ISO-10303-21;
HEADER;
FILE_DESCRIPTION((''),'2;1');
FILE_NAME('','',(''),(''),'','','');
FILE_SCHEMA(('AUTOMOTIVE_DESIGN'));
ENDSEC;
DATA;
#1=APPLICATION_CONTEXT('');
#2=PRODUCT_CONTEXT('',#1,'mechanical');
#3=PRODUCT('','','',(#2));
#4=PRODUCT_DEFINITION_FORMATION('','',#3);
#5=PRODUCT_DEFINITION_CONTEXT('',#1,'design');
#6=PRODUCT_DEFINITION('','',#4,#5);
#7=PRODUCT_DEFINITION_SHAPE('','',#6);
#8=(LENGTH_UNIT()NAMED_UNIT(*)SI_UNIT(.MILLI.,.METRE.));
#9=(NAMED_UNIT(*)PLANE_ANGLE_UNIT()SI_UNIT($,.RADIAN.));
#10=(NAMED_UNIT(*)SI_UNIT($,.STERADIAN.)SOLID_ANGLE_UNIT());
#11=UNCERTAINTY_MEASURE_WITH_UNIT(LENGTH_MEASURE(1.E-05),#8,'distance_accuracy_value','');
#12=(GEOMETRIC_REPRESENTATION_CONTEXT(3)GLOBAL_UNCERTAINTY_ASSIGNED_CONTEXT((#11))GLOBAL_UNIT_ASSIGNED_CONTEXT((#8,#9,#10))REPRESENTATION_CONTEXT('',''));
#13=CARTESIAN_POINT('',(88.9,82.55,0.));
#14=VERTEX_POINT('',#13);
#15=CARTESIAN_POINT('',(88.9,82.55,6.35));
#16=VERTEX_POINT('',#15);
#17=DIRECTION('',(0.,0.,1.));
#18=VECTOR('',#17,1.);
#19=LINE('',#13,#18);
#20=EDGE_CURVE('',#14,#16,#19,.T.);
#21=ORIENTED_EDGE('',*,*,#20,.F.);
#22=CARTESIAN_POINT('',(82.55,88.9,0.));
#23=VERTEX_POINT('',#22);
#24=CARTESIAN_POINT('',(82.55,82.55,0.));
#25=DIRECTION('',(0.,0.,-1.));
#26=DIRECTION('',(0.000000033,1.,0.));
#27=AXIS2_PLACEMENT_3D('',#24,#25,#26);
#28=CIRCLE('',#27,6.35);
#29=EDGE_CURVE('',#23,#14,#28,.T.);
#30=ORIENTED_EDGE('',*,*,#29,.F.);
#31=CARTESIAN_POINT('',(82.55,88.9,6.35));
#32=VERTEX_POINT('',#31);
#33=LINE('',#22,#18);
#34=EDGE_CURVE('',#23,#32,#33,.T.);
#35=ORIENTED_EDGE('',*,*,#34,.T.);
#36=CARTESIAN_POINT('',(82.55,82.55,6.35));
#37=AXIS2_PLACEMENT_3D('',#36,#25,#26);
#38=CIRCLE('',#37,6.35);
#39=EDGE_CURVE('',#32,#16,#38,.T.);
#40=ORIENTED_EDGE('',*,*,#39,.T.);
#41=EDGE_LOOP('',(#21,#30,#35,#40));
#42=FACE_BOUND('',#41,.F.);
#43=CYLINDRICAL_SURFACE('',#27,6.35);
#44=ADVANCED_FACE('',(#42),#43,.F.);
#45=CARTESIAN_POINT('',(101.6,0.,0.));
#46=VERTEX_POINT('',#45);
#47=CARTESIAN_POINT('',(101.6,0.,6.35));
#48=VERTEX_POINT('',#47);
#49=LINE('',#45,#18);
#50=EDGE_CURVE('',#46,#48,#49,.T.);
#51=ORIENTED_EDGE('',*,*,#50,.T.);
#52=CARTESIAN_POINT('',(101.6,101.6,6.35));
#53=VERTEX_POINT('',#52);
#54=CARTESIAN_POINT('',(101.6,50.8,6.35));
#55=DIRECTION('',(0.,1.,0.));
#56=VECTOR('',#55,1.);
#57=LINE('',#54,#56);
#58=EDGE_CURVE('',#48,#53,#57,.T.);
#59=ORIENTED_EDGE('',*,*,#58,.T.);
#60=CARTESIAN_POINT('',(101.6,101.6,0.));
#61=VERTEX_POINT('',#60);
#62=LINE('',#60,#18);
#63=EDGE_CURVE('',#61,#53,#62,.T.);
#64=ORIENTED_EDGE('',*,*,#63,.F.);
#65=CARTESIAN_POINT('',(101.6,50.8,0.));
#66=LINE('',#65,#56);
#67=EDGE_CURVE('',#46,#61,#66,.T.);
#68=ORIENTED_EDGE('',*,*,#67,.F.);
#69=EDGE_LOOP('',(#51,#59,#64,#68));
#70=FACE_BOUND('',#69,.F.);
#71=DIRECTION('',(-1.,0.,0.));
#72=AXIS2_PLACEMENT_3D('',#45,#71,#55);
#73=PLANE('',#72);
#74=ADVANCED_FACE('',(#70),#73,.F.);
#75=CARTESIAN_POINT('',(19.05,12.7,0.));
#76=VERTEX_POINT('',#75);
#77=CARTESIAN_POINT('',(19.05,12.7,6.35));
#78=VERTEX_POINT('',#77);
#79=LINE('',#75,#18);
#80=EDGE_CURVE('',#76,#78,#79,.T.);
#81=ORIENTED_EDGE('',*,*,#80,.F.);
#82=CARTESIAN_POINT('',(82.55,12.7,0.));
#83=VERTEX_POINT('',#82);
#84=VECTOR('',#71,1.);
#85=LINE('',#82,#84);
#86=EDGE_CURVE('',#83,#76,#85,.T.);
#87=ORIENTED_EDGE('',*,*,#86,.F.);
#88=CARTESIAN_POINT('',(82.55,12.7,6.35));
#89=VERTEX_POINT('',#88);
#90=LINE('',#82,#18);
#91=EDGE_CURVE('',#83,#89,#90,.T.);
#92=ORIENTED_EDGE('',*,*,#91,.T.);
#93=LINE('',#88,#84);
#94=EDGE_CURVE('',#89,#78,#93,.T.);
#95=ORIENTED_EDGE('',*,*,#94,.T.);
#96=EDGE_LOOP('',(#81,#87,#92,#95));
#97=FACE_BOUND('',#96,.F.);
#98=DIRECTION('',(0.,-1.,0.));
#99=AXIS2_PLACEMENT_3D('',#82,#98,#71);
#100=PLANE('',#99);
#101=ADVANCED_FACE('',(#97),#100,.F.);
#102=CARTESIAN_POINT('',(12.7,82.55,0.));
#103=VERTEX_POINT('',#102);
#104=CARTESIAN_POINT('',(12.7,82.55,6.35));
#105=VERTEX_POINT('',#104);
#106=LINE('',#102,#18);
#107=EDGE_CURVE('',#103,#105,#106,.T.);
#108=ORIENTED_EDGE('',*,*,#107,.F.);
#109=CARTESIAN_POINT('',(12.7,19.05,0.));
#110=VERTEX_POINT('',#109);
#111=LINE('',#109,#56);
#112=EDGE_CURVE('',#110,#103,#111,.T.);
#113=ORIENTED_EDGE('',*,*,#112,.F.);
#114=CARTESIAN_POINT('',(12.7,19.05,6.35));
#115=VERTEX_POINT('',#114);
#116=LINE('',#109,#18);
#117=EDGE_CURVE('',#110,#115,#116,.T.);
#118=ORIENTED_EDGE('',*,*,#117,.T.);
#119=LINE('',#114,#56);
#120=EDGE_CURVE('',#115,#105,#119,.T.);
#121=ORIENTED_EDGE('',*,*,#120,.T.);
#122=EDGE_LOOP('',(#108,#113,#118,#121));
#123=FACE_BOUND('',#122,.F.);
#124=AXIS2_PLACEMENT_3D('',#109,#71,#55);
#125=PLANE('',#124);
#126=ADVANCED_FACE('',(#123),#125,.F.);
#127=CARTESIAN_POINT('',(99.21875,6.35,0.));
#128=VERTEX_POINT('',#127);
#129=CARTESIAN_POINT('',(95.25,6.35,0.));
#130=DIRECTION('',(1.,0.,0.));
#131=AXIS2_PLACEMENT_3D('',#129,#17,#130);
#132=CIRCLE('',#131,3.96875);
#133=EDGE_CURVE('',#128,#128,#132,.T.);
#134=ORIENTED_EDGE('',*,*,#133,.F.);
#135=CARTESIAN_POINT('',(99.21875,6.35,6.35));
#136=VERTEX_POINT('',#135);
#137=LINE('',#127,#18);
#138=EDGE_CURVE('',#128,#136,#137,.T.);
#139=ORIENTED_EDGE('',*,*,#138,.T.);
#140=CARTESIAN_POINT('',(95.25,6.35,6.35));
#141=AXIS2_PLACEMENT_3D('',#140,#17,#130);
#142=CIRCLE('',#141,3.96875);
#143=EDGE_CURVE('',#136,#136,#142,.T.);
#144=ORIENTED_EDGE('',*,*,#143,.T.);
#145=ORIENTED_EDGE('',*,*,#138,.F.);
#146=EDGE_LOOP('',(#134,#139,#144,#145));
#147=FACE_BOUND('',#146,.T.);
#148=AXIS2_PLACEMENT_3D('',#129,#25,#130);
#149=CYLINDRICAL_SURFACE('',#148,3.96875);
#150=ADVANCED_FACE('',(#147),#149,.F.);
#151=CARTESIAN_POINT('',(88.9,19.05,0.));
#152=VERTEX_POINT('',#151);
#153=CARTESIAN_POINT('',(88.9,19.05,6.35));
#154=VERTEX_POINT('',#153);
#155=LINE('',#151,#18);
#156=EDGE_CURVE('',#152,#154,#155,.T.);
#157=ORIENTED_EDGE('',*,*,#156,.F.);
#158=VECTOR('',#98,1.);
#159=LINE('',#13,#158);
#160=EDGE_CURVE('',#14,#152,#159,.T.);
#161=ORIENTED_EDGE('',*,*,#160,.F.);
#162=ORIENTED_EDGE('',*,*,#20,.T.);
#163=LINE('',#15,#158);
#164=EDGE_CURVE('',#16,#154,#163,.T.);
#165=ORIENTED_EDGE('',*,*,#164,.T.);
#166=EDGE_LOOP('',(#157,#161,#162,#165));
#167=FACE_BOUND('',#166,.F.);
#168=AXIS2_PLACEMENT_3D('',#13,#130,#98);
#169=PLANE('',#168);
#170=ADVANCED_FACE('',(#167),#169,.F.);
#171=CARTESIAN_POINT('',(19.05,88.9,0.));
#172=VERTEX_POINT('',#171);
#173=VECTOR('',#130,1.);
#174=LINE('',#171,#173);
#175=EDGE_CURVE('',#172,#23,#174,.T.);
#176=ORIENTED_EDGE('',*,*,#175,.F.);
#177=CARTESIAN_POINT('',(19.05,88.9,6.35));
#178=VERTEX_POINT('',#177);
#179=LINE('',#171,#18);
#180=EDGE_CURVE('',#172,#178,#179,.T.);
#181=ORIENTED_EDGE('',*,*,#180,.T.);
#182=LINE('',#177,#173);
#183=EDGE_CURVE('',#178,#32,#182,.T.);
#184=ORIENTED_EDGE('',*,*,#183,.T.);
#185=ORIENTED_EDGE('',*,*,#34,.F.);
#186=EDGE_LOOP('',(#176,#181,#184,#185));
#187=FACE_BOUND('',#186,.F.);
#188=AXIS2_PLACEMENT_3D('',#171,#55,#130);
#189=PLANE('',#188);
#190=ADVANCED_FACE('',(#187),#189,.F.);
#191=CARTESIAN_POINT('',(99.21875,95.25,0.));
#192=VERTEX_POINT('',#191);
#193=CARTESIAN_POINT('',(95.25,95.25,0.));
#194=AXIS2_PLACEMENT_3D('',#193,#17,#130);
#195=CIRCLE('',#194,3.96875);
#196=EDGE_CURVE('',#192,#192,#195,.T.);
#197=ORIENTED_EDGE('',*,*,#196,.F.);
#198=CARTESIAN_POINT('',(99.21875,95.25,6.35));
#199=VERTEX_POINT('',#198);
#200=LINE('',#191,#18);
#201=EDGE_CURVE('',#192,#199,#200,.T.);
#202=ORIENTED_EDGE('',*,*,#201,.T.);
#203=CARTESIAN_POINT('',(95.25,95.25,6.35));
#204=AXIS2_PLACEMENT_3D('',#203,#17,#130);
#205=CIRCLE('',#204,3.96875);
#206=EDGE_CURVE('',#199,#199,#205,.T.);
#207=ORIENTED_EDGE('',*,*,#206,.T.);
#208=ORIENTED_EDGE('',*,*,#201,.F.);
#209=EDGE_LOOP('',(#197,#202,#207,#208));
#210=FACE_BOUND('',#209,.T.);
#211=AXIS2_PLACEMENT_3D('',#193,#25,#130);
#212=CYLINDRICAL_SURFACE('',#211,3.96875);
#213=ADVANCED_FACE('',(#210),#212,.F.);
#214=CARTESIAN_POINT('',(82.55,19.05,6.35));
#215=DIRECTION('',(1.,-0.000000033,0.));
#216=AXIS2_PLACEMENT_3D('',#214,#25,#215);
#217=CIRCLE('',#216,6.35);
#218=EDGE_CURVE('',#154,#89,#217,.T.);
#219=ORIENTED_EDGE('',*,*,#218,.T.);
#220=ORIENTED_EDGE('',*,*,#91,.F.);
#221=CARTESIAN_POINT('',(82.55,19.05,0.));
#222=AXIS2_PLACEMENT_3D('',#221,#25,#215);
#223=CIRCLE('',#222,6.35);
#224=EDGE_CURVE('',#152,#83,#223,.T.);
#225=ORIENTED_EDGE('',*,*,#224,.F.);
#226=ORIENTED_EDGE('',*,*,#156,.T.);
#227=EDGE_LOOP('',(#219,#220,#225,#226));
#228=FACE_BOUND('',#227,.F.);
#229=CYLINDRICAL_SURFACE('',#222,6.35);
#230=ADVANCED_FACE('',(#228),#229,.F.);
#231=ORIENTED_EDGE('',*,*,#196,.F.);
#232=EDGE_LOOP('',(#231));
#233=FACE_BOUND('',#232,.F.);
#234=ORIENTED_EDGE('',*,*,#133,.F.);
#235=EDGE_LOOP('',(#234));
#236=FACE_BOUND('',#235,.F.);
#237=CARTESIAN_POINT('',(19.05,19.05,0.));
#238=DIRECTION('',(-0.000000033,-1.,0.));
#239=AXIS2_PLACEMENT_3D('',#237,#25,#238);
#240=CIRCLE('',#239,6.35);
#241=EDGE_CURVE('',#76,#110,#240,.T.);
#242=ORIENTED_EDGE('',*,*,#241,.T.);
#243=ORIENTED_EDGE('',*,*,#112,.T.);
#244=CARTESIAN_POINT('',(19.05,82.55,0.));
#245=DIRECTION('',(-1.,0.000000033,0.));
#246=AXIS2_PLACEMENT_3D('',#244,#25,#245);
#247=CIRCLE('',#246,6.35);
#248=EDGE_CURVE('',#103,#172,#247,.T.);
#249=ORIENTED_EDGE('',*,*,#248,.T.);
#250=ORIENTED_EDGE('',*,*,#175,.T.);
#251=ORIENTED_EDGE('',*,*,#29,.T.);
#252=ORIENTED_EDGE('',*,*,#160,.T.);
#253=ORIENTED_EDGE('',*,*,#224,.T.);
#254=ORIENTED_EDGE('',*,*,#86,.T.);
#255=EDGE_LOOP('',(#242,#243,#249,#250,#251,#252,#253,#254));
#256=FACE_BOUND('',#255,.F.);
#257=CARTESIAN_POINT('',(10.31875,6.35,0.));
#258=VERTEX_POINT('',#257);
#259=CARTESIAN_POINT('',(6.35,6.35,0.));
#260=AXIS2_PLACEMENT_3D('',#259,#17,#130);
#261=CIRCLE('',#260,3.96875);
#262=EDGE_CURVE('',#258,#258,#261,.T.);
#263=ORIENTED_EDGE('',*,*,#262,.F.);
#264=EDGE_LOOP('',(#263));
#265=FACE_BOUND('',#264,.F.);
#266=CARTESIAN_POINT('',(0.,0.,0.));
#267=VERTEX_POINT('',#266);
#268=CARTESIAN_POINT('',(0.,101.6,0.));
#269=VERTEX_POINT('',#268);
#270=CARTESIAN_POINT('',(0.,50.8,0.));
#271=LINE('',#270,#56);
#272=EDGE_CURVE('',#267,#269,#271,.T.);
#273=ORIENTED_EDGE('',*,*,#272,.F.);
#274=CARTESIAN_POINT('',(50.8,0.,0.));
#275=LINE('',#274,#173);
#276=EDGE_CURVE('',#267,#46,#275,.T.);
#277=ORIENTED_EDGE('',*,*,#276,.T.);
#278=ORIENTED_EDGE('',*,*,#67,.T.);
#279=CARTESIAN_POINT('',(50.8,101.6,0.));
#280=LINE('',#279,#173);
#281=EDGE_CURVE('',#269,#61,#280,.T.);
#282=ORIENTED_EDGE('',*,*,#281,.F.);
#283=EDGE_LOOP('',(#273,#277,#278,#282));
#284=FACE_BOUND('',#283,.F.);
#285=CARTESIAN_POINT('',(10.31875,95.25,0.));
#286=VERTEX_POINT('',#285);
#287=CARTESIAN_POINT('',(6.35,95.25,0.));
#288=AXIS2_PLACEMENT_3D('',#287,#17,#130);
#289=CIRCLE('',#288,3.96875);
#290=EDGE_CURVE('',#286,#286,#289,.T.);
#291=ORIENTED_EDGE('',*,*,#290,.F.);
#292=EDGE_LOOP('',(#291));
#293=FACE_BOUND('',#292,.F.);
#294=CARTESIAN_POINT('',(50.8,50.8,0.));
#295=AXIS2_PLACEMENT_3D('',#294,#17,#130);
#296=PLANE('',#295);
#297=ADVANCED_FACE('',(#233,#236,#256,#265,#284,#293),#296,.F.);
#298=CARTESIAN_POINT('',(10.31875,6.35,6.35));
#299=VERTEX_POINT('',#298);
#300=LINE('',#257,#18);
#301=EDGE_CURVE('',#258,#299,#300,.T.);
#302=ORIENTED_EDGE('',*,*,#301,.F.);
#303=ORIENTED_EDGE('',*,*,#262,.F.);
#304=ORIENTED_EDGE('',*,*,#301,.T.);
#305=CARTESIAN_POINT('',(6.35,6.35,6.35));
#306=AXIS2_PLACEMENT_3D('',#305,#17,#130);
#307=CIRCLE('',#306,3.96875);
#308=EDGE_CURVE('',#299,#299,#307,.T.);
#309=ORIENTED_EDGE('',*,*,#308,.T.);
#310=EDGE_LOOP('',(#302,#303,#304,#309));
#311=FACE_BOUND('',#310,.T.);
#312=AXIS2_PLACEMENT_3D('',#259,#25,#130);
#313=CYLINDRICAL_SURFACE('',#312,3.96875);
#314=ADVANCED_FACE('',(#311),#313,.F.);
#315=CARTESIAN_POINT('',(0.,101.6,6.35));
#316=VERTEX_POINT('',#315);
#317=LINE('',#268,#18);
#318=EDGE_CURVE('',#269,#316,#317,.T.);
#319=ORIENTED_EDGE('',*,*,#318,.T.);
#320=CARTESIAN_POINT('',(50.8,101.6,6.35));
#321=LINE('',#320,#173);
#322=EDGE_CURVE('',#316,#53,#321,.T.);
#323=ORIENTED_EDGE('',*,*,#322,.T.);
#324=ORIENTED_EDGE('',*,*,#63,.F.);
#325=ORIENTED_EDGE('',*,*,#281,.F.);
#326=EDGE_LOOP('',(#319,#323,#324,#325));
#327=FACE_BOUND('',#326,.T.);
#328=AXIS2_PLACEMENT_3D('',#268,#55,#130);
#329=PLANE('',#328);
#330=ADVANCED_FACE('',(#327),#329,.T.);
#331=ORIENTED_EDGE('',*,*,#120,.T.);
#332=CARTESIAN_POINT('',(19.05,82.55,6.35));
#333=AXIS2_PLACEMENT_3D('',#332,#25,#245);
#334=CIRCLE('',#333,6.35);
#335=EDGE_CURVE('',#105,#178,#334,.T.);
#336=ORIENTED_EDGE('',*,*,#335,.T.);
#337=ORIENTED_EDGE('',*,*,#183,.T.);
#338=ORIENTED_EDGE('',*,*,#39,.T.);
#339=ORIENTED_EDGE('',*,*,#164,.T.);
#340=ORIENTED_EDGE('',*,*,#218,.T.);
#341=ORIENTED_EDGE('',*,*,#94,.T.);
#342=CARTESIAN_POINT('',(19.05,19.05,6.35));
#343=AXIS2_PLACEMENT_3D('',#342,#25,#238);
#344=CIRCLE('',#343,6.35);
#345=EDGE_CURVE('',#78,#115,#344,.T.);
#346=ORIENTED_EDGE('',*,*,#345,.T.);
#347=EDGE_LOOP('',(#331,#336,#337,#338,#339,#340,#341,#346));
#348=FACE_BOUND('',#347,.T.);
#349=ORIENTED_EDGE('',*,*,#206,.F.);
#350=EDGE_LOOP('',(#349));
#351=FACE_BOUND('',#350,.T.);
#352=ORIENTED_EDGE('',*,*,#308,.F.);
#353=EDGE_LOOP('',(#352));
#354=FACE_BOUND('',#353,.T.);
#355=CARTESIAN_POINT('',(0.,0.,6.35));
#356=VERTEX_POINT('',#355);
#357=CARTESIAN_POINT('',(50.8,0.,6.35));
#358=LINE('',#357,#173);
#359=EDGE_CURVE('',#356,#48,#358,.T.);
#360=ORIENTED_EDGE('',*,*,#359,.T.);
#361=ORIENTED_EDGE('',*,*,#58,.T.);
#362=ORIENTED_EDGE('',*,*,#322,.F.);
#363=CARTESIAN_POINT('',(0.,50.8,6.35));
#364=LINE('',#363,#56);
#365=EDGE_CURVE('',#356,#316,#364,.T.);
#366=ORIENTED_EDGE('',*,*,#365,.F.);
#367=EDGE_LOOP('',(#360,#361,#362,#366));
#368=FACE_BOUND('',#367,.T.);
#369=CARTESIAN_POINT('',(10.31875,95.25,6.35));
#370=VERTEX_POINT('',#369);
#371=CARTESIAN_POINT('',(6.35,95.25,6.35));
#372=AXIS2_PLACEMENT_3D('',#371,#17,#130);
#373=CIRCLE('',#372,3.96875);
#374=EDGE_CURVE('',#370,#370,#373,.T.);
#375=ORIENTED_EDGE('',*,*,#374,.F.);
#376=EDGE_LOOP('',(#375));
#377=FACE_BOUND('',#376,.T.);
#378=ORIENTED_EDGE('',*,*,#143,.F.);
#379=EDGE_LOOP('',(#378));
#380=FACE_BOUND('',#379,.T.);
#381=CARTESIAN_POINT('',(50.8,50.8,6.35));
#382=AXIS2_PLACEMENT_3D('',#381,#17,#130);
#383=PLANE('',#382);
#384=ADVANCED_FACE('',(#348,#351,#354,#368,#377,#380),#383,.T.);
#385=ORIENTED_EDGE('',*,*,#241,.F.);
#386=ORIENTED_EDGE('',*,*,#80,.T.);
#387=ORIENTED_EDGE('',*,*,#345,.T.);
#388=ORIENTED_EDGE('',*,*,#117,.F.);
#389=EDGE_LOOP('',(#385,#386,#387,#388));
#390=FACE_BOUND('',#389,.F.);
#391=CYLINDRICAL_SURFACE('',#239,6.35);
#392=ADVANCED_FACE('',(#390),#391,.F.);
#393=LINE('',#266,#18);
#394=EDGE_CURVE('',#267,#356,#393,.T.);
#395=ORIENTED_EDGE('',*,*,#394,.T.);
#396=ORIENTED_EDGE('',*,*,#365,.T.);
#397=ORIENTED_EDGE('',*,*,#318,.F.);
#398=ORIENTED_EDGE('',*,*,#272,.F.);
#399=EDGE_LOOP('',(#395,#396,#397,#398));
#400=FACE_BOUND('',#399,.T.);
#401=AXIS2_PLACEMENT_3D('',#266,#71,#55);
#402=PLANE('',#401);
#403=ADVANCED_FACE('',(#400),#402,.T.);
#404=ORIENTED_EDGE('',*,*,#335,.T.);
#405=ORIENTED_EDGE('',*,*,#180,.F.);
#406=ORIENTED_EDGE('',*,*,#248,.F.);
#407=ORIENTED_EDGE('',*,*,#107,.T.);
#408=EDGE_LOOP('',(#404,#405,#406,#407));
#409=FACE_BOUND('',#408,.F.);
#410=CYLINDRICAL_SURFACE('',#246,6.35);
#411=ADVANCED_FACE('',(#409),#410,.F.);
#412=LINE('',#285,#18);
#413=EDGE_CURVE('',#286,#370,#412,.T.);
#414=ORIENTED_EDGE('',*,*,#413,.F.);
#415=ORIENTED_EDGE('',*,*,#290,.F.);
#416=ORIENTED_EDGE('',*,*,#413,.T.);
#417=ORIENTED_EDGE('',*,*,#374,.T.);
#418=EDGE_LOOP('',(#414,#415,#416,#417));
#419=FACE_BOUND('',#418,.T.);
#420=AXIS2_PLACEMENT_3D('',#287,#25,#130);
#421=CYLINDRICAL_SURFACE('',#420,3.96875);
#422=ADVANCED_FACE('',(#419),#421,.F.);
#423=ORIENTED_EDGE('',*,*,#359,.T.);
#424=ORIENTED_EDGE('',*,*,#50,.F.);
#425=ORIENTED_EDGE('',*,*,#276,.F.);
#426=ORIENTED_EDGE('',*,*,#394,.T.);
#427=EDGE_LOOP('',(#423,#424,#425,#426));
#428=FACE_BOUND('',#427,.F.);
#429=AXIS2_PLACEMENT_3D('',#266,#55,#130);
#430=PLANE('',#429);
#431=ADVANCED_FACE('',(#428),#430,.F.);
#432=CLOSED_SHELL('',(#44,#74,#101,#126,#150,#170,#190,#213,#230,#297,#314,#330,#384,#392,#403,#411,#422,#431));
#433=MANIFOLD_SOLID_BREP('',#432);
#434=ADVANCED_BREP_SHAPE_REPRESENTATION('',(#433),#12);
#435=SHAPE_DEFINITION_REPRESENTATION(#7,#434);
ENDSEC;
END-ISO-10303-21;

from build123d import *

# Parameters (mm, degrees)
F0_W     = 101.6
F0_H     = 101.6
F0_R     = 3.96875
F1_DEPTH = 6.35


with BuildPart() as f1:
    # F0 (on Top) → F1 (new body)
    with BuildSketch(Plane.XY):
        with Locations((50.8, 50.8)):
            Rectangle(F0_W, F0_H)
        with Locations((6.35, 6.35)):
            Circle(F0_R, mode=Mode.SUBTRACT)
        with Locations((95.25, 6.35)):
            Circle(F0_R, mode=Mode.SUBTRACT)
        with Locations((6.35, 95.25)):
            Circle(F0_R, mode=Mode.SUBTRACT)
        with BuildLine():
            Line((82.55, 12.7), (19.05, 12.7))
            ThreePointArc((19.05, 12.7), (14.559872, 14.559872), (12.7, 19.05))
            Line((12.7, 19.05), (12.7, 82.55))
            ThreePointArc((12.7, 82.55), (14.559872, 87.040128), (19.05, 88.9))
            Line((19.05, 88.9), (82.55, 88.9))
            ThreePointArc((82.55, 88.9), (87.040128, 87.040128), (88.9, 82.55))
            Line((88.9, 82.55), (88.9, 19.05))
            ThreePointArc((88.9, 19.05), (87.040128, 14.559872), (82.55, 12.7))
        make_face(mode=Mode.SUBTRACT)
        with Locations((95.25, 95.25)):
            Circle(F0_R, mode=Mode.SUBTRACT)
    extrude(amount=F1_DEPTH)


solid = f1.part
